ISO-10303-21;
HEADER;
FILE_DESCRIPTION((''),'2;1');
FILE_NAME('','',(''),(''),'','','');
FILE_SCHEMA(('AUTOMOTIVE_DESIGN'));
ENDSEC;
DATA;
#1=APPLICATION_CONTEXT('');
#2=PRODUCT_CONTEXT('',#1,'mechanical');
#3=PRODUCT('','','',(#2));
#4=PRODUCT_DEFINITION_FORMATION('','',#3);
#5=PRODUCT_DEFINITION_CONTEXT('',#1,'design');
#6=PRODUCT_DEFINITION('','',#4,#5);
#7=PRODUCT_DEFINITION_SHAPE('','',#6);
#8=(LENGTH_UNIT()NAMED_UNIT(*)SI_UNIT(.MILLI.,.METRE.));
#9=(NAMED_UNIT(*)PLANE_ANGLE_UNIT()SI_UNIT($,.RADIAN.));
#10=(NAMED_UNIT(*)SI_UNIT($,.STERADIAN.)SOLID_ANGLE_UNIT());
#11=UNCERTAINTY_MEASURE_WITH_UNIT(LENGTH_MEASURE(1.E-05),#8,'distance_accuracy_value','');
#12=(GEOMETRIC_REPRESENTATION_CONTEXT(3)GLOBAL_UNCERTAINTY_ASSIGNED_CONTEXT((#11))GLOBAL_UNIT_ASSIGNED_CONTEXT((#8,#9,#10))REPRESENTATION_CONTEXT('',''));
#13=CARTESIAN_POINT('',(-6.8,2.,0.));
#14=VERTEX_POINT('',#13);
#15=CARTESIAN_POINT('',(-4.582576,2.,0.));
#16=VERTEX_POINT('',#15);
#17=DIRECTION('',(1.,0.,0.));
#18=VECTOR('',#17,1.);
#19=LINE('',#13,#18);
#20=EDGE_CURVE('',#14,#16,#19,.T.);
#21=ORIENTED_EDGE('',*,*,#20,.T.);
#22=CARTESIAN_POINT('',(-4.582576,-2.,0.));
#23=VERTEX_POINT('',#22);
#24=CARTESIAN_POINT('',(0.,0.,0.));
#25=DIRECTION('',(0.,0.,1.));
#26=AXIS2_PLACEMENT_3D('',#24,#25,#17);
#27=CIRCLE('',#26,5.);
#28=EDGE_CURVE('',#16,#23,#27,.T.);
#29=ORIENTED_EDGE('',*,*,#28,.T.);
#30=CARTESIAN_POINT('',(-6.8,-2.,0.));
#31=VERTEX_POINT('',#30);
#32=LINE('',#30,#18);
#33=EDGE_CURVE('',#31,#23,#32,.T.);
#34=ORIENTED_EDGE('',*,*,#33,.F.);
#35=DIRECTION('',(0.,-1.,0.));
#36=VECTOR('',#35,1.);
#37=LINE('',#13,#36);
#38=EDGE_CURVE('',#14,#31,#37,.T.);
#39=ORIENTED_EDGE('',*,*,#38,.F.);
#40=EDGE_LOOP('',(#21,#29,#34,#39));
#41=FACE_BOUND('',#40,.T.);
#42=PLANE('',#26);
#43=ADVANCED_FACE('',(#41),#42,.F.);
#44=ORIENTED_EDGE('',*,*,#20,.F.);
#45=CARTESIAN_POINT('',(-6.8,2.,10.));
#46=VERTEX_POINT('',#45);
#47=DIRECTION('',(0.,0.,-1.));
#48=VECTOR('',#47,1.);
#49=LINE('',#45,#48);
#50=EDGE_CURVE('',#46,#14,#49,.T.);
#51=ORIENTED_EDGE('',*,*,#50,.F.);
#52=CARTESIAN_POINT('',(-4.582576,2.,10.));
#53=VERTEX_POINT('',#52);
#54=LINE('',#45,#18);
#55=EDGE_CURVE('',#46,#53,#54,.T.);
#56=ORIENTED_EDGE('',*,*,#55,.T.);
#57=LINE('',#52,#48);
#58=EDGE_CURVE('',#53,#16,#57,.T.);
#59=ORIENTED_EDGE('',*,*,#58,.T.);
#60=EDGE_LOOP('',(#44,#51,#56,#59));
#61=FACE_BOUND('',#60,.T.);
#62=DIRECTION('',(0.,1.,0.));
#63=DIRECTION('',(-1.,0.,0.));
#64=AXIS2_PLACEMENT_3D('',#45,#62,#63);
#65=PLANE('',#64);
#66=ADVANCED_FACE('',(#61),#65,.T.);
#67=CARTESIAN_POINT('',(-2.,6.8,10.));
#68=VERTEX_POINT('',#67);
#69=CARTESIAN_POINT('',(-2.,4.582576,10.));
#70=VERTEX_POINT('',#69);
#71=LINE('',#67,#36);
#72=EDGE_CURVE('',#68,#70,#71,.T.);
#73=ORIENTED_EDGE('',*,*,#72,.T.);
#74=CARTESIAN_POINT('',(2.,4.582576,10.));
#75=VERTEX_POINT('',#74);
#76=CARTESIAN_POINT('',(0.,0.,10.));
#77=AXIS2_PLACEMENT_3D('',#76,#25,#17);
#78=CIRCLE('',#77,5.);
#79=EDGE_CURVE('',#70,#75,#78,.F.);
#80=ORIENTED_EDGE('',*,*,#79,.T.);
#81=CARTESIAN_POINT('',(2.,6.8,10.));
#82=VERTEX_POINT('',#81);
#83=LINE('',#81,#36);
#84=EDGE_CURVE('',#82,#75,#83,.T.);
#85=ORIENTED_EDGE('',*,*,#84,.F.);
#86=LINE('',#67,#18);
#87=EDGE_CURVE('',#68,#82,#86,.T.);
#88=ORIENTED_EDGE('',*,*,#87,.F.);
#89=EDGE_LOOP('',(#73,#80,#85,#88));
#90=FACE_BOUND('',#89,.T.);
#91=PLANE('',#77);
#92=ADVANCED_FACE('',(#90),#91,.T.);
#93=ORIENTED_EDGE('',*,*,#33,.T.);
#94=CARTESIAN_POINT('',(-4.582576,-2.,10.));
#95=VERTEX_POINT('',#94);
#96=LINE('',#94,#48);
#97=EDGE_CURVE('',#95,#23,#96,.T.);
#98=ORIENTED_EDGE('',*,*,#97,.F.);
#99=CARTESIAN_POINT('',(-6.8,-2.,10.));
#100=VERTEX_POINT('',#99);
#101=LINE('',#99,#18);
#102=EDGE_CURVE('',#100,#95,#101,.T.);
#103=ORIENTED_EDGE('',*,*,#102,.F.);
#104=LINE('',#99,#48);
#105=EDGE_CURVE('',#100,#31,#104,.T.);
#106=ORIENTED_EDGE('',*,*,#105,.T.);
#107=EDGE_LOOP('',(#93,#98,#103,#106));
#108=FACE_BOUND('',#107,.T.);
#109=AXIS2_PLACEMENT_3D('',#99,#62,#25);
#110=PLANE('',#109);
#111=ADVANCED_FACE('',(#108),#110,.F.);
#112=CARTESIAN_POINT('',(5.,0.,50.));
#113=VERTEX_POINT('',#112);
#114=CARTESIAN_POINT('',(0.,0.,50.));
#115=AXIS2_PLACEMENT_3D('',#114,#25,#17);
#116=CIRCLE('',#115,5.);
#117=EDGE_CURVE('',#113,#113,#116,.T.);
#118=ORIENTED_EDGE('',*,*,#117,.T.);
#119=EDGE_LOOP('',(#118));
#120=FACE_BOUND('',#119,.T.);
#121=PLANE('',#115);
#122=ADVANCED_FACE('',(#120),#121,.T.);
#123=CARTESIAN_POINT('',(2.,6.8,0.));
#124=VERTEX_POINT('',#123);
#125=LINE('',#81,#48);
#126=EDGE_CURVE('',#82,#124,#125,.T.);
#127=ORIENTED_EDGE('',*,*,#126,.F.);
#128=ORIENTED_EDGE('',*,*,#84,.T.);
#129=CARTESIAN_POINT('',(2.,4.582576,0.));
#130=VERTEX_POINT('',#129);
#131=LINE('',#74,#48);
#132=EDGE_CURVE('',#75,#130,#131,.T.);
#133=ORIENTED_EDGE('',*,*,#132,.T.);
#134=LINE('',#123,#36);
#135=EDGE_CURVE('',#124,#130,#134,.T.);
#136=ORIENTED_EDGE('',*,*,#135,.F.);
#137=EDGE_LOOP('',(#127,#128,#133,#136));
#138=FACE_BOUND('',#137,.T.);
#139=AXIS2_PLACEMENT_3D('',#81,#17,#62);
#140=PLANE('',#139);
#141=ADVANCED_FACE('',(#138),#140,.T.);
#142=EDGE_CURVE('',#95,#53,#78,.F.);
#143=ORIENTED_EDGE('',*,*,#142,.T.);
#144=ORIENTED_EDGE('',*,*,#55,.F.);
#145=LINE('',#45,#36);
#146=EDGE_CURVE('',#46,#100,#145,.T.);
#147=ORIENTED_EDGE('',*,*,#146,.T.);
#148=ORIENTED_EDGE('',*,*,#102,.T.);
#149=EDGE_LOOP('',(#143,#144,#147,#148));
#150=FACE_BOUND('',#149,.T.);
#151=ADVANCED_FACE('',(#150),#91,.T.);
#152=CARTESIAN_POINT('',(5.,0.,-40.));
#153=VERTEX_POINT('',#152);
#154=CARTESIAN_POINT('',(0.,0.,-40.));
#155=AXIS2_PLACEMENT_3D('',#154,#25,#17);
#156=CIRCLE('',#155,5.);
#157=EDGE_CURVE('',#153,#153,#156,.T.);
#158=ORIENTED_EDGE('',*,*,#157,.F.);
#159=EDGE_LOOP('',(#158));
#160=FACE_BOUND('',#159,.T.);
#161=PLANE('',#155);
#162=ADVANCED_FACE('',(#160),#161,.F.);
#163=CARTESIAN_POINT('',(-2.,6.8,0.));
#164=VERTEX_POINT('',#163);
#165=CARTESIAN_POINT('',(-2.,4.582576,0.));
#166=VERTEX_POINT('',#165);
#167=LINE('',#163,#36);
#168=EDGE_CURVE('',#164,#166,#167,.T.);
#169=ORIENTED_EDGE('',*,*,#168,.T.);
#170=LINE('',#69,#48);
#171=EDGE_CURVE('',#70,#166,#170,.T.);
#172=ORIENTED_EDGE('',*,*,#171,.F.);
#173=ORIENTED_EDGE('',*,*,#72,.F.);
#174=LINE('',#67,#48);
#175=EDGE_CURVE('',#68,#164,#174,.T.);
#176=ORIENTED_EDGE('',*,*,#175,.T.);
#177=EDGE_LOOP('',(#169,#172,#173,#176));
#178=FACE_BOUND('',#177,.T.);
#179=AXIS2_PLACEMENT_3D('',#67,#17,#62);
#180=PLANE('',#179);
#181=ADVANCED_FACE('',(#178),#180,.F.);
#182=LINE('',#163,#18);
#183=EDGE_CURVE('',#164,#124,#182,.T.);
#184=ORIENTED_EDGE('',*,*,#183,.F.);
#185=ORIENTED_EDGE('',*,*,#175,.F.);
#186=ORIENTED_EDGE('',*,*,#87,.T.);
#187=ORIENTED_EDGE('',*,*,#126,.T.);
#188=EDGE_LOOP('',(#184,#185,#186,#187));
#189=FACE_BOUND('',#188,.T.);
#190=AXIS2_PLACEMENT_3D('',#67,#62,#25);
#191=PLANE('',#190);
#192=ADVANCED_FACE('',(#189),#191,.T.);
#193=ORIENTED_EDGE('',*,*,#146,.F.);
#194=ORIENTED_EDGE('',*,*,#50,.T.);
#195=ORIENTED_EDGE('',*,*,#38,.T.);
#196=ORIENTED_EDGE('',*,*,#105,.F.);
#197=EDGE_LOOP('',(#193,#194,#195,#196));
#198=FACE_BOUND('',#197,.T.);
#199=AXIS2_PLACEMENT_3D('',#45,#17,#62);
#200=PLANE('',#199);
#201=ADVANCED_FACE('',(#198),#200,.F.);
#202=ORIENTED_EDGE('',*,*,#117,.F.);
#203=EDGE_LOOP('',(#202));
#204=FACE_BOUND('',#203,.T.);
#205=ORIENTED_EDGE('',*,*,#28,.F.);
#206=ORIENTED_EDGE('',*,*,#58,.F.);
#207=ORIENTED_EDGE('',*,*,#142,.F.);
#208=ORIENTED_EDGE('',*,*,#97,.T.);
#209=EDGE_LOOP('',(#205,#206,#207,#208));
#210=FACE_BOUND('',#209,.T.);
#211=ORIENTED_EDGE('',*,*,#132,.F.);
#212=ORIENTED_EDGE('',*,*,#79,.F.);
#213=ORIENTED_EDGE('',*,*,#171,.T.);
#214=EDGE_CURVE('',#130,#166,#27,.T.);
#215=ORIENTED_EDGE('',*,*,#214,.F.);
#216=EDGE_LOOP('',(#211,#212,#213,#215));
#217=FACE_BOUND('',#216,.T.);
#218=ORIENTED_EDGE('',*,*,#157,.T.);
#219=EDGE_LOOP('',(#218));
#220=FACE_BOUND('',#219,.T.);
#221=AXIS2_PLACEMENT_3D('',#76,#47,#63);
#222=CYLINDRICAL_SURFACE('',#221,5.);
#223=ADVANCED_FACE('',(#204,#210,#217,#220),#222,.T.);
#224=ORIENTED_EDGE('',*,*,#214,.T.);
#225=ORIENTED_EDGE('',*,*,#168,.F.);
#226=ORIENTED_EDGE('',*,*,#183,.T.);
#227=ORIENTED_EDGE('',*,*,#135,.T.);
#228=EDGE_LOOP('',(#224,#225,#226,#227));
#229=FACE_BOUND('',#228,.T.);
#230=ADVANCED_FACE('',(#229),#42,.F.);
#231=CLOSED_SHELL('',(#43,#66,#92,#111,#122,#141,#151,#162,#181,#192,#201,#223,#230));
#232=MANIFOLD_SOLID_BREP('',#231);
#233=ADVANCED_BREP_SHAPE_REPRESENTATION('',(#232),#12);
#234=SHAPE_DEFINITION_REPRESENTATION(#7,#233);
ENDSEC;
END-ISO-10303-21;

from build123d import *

# Parameters (mm, degrees)
SKETCH2_R           = 5
SKETCH2_W           = 6.8
SKETCH2_H           = 4
SKETCH2_W_2         = 4
SKETCH2_H_2         = 6.8
BOSS_EXTRUDE1_DEPTH = 10
SKETCH2_4_R         = 5
BOSS_EXTRUDE3_DEPTH = 50
BOSS_EXTRUDE4_START = -40
SKETCH2_5_R         = 5
BOSS_EXTRUDE4_DEPTH = 40


with BuildPart() as part:
    # Sketch2 → Boss-Extrude1 (new body)
    with BuildSketch(Plane.XY):
        Circle(SKETCH2_R)
        with Locations((-3.4, 0)):
            Rectangle(SKETCH2_W, SKETCH2_H)
        with Locations((0, 3.4)):
            Rectangle(SKETCH2_W_2, SKETCH2_H_2)
    extrude(amount=BOSS_EXTRUDE1_DEPTH)

    # Sketch2<4> → Boss-Extrude3 (add)
    with BuildSketch(Plane.XY):
        Circle(SKETCH2_4_R)
    extrude(amount=BOSS_EXTRUDE3_DEPTH)

    # Sketch2<5> → Boss-Extrude4 (add)
    with BuildSketch(Plane.XY.offset(BOSS_EXTRUDE4_START)):
        Circle(SKETCH2_5_R)
    extrude(amount=BOSS_EXTRUDE4_DEPTH)


solid = part.part
